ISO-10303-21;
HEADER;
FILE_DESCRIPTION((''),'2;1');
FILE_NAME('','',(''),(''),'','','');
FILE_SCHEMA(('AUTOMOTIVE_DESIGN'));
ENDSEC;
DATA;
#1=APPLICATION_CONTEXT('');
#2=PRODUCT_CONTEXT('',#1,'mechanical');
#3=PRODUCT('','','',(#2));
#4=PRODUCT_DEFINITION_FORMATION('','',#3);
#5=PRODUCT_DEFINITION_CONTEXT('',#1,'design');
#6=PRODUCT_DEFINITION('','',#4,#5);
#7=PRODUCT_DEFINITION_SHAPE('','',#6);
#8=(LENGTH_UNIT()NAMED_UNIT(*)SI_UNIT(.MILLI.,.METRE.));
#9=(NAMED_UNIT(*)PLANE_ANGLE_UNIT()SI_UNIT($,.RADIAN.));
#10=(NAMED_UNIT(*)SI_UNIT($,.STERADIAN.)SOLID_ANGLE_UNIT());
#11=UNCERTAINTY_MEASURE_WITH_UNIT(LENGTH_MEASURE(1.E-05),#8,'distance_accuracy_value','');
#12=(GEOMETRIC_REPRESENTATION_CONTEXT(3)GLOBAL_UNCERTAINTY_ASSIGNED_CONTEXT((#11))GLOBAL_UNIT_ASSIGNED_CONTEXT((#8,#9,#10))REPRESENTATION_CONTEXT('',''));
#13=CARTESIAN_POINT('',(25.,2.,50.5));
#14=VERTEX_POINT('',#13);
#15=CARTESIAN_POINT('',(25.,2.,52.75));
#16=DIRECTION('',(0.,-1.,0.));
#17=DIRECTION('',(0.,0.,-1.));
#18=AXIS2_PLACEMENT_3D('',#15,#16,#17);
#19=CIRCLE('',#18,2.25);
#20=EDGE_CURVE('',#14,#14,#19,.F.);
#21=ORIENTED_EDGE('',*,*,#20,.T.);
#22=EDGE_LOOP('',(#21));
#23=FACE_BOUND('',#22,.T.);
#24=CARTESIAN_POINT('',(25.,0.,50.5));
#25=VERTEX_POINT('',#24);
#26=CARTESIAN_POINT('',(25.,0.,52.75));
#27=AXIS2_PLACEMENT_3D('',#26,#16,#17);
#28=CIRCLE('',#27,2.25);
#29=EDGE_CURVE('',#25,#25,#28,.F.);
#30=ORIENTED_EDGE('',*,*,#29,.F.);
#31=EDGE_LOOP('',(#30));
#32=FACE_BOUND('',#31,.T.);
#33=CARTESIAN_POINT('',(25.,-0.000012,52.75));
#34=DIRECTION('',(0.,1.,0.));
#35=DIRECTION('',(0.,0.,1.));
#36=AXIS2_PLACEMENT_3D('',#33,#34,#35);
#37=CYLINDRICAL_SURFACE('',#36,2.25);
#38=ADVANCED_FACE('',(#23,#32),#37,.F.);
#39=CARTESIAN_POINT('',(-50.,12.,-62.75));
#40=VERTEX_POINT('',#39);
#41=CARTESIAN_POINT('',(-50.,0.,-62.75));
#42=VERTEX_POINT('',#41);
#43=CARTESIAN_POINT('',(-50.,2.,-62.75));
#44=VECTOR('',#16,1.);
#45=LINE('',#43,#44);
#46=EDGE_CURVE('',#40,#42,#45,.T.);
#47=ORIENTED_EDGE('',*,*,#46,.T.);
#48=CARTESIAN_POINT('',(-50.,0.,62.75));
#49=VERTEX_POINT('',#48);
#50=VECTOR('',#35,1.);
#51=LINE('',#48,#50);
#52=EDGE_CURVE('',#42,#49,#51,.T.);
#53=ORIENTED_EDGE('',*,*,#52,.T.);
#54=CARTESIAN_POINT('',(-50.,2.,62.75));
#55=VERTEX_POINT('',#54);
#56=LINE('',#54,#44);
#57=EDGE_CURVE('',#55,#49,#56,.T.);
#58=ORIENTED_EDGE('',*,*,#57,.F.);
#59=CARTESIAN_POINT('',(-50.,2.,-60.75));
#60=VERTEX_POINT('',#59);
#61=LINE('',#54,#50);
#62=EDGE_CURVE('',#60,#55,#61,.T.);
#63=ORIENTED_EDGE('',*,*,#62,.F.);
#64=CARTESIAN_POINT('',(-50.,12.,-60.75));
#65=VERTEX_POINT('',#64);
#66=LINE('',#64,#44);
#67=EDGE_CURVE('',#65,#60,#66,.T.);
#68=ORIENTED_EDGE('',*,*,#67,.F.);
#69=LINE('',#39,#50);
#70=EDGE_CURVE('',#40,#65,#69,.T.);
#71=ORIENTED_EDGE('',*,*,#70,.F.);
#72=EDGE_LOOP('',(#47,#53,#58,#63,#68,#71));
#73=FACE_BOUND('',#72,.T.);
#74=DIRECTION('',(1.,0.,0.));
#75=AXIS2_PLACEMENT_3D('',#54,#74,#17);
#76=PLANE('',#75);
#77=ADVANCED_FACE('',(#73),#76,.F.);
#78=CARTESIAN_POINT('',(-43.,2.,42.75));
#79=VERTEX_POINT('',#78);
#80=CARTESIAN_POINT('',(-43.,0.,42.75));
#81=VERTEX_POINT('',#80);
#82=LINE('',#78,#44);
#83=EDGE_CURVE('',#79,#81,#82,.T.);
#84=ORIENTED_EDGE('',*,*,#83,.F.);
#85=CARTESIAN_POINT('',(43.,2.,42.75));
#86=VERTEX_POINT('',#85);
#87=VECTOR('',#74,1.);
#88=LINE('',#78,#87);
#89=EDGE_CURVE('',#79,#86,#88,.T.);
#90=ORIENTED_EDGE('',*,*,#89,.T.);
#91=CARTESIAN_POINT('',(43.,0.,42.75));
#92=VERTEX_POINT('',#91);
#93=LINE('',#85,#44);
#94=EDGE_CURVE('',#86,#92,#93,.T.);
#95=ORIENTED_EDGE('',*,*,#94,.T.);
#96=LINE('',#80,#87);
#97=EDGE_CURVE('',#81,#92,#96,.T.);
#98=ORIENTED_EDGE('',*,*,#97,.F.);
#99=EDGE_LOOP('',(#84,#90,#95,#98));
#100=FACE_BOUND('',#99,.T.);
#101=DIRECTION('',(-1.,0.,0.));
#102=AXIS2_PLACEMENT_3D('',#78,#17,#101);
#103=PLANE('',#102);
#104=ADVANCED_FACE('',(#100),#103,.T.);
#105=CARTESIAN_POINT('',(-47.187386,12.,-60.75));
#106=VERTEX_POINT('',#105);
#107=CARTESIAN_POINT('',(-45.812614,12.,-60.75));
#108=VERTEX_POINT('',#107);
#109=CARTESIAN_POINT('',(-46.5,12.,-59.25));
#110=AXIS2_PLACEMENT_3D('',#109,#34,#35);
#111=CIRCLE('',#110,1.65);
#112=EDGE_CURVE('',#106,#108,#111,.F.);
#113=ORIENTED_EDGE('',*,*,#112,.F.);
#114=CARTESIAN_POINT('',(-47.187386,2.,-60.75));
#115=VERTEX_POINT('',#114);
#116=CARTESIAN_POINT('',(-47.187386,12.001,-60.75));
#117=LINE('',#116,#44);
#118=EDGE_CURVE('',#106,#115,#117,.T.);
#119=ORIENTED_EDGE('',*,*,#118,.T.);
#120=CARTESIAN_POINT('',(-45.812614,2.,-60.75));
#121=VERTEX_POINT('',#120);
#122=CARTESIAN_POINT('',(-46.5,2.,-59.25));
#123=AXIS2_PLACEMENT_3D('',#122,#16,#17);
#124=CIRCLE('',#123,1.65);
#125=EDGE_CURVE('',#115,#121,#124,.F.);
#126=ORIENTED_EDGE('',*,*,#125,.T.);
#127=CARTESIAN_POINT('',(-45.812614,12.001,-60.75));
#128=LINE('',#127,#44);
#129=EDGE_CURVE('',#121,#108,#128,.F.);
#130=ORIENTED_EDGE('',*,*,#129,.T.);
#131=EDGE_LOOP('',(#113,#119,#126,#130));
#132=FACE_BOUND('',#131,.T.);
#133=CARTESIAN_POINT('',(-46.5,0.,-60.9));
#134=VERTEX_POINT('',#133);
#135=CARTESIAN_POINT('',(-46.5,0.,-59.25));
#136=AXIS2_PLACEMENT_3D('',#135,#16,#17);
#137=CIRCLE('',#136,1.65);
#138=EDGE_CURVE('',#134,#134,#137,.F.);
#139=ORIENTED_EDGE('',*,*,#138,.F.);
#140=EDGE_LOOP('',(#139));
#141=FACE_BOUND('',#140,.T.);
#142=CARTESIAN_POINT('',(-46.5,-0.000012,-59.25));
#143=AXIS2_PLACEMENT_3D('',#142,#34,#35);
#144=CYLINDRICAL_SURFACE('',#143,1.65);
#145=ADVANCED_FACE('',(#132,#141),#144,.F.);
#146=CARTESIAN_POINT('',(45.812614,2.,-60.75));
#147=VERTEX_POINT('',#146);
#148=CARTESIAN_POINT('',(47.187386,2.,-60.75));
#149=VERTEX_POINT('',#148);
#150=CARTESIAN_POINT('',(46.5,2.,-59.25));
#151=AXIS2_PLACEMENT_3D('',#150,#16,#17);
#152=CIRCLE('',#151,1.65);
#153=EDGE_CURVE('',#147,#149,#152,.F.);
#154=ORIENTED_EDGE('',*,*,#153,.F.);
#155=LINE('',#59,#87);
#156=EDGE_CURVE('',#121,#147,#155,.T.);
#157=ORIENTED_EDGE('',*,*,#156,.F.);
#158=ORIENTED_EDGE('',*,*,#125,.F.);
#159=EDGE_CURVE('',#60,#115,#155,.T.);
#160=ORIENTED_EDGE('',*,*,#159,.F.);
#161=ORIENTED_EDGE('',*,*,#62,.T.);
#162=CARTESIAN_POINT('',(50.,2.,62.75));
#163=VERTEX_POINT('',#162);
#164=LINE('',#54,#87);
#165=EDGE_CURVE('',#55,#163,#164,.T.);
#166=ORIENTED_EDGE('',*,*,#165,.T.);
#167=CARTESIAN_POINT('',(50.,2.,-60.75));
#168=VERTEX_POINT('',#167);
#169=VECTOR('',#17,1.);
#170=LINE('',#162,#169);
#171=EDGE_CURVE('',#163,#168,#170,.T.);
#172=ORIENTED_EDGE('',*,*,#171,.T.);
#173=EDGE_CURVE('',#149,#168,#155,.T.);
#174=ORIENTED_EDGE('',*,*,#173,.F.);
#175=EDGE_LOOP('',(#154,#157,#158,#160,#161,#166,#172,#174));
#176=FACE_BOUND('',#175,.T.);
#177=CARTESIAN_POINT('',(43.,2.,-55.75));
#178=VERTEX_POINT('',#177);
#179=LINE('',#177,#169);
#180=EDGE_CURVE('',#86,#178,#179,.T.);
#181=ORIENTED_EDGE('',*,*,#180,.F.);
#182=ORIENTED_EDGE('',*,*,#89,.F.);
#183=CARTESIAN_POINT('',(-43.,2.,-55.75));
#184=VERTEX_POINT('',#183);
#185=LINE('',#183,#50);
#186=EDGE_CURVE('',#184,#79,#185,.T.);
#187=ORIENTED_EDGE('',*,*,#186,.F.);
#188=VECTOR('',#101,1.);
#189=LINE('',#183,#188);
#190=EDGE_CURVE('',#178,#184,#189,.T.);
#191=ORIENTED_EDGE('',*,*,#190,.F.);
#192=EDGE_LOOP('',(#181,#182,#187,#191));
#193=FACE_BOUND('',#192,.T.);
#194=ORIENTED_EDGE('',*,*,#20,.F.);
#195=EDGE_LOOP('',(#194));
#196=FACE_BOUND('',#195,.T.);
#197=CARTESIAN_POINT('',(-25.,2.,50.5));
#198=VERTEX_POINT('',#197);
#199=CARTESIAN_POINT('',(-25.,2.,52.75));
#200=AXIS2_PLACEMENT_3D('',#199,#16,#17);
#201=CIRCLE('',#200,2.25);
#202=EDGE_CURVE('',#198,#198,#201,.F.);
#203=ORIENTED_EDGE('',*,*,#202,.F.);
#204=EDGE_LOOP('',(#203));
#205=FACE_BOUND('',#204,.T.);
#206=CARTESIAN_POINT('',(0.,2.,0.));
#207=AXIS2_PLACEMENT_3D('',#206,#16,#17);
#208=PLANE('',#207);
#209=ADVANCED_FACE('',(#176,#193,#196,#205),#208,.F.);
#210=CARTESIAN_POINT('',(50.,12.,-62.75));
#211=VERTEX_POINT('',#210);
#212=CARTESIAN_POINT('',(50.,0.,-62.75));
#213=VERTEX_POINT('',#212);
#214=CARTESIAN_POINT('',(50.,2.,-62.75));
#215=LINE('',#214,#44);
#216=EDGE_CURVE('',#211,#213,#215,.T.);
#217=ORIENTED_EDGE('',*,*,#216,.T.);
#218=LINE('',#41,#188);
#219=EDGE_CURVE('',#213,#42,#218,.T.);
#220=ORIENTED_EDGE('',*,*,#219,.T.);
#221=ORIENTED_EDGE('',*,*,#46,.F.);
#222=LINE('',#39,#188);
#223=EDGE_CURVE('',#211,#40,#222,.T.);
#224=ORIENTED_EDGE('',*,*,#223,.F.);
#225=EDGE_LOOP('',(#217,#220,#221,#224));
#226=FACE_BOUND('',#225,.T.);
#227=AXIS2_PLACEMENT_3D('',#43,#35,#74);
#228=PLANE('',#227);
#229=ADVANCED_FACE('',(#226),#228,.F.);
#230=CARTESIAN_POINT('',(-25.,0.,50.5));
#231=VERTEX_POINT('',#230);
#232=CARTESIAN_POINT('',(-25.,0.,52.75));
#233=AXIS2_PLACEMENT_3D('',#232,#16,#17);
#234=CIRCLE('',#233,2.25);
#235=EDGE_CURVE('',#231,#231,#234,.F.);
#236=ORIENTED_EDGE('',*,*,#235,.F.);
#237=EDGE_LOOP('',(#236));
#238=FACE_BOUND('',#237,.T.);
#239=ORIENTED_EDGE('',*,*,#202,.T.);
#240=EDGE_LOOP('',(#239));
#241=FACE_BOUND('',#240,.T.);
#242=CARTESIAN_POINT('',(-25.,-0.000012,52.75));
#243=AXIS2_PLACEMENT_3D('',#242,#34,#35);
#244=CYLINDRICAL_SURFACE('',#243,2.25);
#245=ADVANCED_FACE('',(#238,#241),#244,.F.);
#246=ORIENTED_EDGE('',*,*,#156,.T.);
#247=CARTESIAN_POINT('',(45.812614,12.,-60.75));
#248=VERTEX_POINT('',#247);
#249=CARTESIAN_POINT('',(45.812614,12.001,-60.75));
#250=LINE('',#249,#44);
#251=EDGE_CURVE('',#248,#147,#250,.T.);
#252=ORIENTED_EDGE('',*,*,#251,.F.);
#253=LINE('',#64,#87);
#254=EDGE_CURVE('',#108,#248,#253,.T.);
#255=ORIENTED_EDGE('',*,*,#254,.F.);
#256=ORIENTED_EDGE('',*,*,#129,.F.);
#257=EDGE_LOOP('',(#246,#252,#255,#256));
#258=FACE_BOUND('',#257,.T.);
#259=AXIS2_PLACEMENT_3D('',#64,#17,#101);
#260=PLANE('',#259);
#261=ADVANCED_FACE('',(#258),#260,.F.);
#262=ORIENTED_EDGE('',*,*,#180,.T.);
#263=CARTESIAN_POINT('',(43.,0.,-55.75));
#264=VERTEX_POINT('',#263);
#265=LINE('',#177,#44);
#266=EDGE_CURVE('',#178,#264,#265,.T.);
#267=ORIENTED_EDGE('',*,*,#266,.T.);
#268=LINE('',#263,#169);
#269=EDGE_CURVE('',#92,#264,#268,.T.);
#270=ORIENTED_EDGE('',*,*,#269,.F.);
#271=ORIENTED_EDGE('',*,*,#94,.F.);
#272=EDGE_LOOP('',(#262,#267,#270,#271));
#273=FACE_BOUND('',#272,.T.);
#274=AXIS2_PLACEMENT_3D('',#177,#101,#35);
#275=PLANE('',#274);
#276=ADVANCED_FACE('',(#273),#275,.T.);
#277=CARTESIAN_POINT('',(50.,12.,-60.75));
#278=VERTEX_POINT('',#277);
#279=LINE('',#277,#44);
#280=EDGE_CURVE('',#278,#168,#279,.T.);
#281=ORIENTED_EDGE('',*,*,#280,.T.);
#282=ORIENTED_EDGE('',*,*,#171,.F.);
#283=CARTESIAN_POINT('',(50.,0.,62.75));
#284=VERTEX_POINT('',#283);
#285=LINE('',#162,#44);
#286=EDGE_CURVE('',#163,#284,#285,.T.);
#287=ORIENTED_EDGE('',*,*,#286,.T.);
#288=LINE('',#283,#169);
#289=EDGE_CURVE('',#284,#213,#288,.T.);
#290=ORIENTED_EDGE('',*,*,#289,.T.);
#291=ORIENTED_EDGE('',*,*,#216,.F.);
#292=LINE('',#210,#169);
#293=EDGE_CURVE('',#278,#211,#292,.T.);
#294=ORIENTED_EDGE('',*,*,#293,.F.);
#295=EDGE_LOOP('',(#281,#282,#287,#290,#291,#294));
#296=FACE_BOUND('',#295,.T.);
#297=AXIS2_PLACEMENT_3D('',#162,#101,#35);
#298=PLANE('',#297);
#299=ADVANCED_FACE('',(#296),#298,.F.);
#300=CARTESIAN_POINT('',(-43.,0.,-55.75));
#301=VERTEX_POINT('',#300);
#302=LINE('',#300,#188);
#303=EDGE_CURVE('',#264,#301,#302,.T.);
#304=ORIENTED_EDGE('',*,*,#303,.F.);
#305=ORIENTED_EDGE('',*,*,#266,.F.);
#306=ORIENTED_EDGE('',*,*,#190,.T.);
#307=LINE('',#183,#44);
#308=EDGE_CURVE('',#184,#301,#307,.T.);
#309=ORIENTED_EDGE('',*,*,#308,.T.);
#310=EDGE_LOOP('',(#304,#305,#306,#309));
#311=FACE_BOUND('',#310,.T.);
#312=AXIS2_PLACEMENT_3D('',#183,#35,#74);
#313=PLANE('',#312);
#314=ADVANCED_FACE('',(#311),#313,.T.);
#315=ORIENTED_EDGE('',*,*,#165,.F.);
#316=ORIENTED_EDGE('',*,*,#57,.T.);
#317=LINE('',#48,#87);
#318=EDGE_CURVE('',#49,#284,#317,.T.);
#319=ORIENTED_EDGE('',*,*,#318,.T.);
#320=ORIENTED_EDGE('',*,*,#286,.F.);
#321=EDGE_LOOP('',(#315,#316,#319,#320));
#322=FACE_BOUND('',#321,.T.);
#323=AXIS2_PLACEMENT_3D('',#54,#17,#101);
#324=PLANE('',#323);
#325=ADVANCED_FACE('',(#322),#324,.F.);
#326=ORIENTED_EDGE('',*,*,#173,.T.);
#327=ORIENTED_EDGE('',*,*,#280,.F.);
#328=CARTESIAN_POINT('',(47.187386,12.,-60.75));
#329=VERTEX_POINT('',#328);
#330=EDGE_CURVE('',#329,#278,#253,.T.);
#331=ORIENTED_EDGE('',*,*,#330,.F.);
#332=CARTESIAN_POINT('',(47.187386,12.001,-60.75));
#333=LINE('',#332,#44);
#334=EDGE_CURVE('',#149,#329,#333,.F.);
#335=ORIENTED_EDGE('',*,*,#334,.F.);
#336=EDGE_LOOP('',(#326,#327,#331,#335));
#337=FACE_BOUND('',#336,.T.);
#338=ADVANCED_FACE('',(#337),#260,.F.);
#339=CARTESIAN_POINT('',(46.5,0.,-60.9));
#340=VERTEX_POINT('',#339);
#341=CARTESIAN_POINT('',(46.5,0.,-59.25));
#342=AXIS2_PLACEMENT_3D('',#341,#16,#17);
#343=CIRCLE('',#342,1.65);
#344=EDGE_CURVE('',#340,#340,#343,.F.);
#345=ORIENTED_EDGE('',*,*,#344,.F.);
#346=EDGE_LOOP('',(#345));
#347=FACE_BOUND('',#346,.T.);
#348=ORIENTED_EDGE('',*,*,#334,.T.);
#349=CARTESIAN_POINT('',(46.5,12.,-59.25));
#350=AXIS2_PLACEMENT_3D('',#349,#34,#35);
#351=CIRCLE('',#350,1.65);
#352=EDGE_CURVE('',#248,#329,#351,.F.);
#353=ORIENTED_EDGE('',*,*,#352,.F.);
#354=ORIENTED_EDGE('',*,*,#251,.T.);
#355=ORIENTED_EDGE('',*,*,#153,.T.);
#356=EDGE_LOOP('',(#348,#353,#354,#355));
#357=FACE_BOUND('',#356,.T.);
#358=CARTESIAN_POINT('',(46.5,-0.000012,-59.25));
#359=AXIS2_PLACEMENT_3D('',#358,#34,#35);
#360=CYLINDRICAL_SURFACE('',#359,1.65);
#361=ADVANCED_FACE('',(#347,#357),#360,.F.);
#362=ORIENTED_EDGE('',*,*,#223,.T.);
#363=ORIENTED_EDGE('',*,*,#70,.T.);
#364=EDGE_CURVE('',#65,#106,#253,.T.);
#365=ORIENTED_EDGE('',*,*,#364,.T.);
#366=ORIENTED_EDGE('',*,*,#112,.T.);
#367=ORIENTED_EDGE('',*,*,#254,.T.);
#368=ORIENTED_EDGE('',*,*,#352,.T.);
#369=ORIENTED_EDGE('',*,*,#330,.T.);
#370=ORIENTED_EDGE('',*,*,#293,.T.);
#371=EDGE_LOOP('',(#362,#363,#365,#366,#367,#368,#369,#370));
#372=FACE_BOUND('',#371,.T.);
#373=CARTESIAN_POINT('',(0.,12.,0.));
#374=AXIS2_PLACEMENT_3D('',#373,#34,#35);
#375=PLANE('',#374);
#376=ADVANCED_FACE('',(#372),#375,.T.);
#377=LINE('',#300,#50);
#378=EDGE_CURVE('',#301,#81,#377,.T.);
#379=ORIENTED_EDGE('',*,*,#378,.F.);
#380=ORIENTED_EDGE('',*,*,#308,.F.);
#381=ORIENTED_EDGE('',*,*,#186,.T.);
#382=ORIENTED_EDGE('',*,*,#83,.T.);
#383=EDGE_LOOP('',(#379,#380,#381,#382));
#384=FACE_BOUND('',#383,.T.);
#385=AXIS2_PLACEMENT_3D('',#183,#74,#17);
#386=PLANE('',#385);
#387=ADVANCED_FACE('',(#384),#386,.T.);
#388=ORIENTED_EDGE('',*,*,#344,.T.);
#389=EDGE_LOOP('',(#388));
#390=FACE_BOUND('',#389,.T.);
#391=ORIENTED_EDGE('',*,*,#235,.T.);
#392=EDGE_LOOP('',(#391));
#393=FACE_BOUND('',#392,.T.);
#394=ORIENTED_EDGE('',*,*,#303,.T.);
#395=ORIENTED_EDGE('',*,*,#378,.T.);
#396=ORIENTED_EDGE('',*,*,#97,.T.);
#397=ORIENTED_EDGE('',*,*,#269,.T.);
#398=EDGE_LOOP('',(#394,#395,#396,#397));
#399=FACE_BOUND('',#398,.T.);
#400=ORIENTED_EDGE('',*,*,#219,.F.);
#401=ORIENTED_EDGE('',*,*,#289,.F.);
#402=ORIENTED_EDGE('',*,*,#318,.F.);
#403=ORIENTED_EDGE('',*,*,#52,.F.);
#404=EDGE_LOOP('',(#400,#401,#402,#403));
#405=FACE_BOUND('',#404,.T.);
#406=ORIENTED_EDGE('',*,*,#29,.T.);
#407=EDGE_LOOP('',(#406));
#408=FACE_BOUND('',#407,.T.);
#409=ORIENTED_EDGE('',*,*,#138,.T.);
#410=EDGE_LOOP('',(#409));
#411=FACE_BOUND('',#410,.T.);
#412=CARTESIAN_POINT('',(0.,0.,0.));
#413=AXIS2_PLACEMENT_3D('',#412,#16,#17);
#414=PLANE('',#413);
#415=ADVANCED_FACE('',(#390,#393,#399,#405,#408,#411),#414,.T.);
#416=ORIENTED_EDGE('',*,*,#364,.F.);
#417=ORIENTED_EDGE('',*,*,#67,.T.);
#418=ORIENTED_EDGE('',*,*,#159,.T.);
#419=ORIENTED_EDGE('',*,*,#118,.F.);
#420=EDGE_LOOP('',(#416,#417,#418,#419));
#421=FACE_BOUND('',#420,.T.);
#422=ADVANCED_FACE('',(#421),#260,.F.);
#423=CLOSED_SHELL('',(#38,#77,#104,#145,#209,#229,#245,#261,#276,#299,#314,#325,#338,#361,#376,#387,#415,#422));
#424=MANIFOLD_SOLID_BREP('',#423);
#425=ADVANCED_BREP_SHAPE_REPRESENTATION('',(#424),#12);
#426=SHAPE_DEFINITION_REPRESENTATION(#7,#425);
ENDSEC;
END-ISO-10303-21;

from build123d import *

# Parameters (mm, degrees)
SKETCH1_W                      = 96
SKETCH1_H                      = 121.5
SKETCH1_W_2                    = 86
SKETCH1_H_2                    = 98.5
BOSS_EXTRUDE1_DEPTH            = 2
SKETCH2_W                      = 100
SKETCH2_H                      = 125.5
SKETCH2_W_2                    = 96
SKETCH2_H_2                    = 121.5
BOSS_EXTRUDE2_DEPTH            = 2
SKETCH8_W                      = 100
SKETCH8_H                      = 2
BOSS_EXTRUDE6_DEPTH            = 10
CUT_EXTRUDE1_REACH             = 14
SKETCH3_R                      = 2.25
SKETCH3_R_2                    = 1.65
CUT_EXTRUDE1_DIRECTION_2_DEPTH = 1


with BuildPart() as part:
    # Sketch1 → Boss-Extrude1 (new body)
    with BuildSketch(Plane(origin=(0, 0, 0), x_dir=(1, 0, 0), z_dir=(0, 1, 0))):
        Rectangle(SKETCH1_W, SKETCH1_H)
        with Locations((0, 6.5)):
            Rectangle(SKETCH1_W_2, SKETCH1_H_2, mode=Mode.SUBTRACT)
    extrude(amount=BOSS_EXTRUDE1_DEPTH)

    # Sketch2 → Boss-Extrude2 (add)
    with BuildSketch(Plane(origin=(0, 0, 0), x_dir=(1, 0, 0), z_dir=(0, 1, 0))):
        Rectangle(SKETCH2_W, SKETCH2_H)
        Rectangle(SKETCH2_W_2, SKETCH2_H_2, mode=Mode.SUBTRACT)
    extrude(amount=BOSS_EXTRUDE2_DEPTH)

    # Sketch8 → Boss-Extrude6 (add)
    with BuildSketch(Plane(origin=(0, 2, 0), x_dir=(1, 0, 0), z_dir=(0, 1, 0))):
        with Locations((0, 61.75)):
            Rectangle(SKETCH8_W, SKETCH8_H)
    extrude(amount=BOSS_EXTRUDE6_DEPTH)

    # Sketch3 → Cut-Extrude1 (cut, up to next)
    with BuildSketch(Plane.XZ, mode=Mode.PRIVATE) as cut_extrude1_sk1:
        with Locations((25, 52.75)):
            Circle(SKETCH3_R)
    cut_extrude1_tool1 = extrude(cut_extrude1_sk1.sketch, amount=-CUT_EXTRUDE1_REACH, mode=Mode.PRIVATE) & part.part
    add(cut_extrude1_tool1.solids().sort_by_distance((25, 0, 52.75))[0], mode=Mode.SUBTRACT)
    # Sketch3 → Cut-Extrude1 (cut, up to next)
    with BuildSketch(Plane.XZ, mode=Mode.PRIVATE) as cut_extrude1_sk2:
        with Locations((-25, 52.75)):
            Circle(SKETCH3_R)
    cut_extrude1_tool2 = extrude(cut_extrude1_sk2.sketch, amount=-CUT_EXTRUDE1_REACH, mode=Mode.PRIVATE) & part.part
    add(cut_extrude1_tool2.solids().sort_by_distance((-25, 0, 52.75))[0], mode=Mode.SUBTRACT)
    # Sketch3 → Cut-Extrude1 (cut, up to next)
    with BuildSketch(Plane.XZ, mode=Mode.PRIVATE) as cut_extrude1_sk3:
        with Locations((46.5, -59.25)):
            Circle(SKETCH3_R_2)
    cut_extrude1_tool3 = extrude(cut_extrude1_sk3.sketch, amount=-CUT_EXTRUDE1_REACH, mode=Mode.PRIVATE) & part.part
    add(cut_extrude1_tool3.solids().sort_by_distance((46.5, 0, -59.25))[0], mode=Mode.SUBTRACT)
    # Sketch3 → Cut-Extrude1 (cut, up to next)
    with BuildSketch(Plane.XZ, mode=Mode.PRIVATE) as cut_extrude1_sk4:
        with Locations((-46.5, -59.25)):
            Circle(SKETCH3_R_2)
    cut_extrude1_tool4 = extrude(cut_extrude1_sk4.sketch, amount=-CUT_EXTRUDE1_REACH, mode=Mode.PRIVATE) & part.part
    add(cut_extrude1_tool4.solids().sort_by_distance((-46.5, 0, -59.25))[0], mode=Mode.SUBTRACT)

    # Sketch3 → Cut-Extrude1 direction 2 (cut)
    with BuildSketch(Plane.XZ):
        with Locations((25, 52.75)):
            Circle(SKETCH3_R)
        with Locations((-25, 52.75)):
            Circle(SKETCH3_R)
        with Locations((46.5, -59.25)):
            Circle(SKETCH3_R_2)
        with Locations((-46.5, -59.25)):
            Circle(SKETCH3_R_2)
    extrude(amount=CUT_EXTRUDE1_DIRECTION_2_DEPTH, mode=Mode.SUBTRACT)


solid = part.part
